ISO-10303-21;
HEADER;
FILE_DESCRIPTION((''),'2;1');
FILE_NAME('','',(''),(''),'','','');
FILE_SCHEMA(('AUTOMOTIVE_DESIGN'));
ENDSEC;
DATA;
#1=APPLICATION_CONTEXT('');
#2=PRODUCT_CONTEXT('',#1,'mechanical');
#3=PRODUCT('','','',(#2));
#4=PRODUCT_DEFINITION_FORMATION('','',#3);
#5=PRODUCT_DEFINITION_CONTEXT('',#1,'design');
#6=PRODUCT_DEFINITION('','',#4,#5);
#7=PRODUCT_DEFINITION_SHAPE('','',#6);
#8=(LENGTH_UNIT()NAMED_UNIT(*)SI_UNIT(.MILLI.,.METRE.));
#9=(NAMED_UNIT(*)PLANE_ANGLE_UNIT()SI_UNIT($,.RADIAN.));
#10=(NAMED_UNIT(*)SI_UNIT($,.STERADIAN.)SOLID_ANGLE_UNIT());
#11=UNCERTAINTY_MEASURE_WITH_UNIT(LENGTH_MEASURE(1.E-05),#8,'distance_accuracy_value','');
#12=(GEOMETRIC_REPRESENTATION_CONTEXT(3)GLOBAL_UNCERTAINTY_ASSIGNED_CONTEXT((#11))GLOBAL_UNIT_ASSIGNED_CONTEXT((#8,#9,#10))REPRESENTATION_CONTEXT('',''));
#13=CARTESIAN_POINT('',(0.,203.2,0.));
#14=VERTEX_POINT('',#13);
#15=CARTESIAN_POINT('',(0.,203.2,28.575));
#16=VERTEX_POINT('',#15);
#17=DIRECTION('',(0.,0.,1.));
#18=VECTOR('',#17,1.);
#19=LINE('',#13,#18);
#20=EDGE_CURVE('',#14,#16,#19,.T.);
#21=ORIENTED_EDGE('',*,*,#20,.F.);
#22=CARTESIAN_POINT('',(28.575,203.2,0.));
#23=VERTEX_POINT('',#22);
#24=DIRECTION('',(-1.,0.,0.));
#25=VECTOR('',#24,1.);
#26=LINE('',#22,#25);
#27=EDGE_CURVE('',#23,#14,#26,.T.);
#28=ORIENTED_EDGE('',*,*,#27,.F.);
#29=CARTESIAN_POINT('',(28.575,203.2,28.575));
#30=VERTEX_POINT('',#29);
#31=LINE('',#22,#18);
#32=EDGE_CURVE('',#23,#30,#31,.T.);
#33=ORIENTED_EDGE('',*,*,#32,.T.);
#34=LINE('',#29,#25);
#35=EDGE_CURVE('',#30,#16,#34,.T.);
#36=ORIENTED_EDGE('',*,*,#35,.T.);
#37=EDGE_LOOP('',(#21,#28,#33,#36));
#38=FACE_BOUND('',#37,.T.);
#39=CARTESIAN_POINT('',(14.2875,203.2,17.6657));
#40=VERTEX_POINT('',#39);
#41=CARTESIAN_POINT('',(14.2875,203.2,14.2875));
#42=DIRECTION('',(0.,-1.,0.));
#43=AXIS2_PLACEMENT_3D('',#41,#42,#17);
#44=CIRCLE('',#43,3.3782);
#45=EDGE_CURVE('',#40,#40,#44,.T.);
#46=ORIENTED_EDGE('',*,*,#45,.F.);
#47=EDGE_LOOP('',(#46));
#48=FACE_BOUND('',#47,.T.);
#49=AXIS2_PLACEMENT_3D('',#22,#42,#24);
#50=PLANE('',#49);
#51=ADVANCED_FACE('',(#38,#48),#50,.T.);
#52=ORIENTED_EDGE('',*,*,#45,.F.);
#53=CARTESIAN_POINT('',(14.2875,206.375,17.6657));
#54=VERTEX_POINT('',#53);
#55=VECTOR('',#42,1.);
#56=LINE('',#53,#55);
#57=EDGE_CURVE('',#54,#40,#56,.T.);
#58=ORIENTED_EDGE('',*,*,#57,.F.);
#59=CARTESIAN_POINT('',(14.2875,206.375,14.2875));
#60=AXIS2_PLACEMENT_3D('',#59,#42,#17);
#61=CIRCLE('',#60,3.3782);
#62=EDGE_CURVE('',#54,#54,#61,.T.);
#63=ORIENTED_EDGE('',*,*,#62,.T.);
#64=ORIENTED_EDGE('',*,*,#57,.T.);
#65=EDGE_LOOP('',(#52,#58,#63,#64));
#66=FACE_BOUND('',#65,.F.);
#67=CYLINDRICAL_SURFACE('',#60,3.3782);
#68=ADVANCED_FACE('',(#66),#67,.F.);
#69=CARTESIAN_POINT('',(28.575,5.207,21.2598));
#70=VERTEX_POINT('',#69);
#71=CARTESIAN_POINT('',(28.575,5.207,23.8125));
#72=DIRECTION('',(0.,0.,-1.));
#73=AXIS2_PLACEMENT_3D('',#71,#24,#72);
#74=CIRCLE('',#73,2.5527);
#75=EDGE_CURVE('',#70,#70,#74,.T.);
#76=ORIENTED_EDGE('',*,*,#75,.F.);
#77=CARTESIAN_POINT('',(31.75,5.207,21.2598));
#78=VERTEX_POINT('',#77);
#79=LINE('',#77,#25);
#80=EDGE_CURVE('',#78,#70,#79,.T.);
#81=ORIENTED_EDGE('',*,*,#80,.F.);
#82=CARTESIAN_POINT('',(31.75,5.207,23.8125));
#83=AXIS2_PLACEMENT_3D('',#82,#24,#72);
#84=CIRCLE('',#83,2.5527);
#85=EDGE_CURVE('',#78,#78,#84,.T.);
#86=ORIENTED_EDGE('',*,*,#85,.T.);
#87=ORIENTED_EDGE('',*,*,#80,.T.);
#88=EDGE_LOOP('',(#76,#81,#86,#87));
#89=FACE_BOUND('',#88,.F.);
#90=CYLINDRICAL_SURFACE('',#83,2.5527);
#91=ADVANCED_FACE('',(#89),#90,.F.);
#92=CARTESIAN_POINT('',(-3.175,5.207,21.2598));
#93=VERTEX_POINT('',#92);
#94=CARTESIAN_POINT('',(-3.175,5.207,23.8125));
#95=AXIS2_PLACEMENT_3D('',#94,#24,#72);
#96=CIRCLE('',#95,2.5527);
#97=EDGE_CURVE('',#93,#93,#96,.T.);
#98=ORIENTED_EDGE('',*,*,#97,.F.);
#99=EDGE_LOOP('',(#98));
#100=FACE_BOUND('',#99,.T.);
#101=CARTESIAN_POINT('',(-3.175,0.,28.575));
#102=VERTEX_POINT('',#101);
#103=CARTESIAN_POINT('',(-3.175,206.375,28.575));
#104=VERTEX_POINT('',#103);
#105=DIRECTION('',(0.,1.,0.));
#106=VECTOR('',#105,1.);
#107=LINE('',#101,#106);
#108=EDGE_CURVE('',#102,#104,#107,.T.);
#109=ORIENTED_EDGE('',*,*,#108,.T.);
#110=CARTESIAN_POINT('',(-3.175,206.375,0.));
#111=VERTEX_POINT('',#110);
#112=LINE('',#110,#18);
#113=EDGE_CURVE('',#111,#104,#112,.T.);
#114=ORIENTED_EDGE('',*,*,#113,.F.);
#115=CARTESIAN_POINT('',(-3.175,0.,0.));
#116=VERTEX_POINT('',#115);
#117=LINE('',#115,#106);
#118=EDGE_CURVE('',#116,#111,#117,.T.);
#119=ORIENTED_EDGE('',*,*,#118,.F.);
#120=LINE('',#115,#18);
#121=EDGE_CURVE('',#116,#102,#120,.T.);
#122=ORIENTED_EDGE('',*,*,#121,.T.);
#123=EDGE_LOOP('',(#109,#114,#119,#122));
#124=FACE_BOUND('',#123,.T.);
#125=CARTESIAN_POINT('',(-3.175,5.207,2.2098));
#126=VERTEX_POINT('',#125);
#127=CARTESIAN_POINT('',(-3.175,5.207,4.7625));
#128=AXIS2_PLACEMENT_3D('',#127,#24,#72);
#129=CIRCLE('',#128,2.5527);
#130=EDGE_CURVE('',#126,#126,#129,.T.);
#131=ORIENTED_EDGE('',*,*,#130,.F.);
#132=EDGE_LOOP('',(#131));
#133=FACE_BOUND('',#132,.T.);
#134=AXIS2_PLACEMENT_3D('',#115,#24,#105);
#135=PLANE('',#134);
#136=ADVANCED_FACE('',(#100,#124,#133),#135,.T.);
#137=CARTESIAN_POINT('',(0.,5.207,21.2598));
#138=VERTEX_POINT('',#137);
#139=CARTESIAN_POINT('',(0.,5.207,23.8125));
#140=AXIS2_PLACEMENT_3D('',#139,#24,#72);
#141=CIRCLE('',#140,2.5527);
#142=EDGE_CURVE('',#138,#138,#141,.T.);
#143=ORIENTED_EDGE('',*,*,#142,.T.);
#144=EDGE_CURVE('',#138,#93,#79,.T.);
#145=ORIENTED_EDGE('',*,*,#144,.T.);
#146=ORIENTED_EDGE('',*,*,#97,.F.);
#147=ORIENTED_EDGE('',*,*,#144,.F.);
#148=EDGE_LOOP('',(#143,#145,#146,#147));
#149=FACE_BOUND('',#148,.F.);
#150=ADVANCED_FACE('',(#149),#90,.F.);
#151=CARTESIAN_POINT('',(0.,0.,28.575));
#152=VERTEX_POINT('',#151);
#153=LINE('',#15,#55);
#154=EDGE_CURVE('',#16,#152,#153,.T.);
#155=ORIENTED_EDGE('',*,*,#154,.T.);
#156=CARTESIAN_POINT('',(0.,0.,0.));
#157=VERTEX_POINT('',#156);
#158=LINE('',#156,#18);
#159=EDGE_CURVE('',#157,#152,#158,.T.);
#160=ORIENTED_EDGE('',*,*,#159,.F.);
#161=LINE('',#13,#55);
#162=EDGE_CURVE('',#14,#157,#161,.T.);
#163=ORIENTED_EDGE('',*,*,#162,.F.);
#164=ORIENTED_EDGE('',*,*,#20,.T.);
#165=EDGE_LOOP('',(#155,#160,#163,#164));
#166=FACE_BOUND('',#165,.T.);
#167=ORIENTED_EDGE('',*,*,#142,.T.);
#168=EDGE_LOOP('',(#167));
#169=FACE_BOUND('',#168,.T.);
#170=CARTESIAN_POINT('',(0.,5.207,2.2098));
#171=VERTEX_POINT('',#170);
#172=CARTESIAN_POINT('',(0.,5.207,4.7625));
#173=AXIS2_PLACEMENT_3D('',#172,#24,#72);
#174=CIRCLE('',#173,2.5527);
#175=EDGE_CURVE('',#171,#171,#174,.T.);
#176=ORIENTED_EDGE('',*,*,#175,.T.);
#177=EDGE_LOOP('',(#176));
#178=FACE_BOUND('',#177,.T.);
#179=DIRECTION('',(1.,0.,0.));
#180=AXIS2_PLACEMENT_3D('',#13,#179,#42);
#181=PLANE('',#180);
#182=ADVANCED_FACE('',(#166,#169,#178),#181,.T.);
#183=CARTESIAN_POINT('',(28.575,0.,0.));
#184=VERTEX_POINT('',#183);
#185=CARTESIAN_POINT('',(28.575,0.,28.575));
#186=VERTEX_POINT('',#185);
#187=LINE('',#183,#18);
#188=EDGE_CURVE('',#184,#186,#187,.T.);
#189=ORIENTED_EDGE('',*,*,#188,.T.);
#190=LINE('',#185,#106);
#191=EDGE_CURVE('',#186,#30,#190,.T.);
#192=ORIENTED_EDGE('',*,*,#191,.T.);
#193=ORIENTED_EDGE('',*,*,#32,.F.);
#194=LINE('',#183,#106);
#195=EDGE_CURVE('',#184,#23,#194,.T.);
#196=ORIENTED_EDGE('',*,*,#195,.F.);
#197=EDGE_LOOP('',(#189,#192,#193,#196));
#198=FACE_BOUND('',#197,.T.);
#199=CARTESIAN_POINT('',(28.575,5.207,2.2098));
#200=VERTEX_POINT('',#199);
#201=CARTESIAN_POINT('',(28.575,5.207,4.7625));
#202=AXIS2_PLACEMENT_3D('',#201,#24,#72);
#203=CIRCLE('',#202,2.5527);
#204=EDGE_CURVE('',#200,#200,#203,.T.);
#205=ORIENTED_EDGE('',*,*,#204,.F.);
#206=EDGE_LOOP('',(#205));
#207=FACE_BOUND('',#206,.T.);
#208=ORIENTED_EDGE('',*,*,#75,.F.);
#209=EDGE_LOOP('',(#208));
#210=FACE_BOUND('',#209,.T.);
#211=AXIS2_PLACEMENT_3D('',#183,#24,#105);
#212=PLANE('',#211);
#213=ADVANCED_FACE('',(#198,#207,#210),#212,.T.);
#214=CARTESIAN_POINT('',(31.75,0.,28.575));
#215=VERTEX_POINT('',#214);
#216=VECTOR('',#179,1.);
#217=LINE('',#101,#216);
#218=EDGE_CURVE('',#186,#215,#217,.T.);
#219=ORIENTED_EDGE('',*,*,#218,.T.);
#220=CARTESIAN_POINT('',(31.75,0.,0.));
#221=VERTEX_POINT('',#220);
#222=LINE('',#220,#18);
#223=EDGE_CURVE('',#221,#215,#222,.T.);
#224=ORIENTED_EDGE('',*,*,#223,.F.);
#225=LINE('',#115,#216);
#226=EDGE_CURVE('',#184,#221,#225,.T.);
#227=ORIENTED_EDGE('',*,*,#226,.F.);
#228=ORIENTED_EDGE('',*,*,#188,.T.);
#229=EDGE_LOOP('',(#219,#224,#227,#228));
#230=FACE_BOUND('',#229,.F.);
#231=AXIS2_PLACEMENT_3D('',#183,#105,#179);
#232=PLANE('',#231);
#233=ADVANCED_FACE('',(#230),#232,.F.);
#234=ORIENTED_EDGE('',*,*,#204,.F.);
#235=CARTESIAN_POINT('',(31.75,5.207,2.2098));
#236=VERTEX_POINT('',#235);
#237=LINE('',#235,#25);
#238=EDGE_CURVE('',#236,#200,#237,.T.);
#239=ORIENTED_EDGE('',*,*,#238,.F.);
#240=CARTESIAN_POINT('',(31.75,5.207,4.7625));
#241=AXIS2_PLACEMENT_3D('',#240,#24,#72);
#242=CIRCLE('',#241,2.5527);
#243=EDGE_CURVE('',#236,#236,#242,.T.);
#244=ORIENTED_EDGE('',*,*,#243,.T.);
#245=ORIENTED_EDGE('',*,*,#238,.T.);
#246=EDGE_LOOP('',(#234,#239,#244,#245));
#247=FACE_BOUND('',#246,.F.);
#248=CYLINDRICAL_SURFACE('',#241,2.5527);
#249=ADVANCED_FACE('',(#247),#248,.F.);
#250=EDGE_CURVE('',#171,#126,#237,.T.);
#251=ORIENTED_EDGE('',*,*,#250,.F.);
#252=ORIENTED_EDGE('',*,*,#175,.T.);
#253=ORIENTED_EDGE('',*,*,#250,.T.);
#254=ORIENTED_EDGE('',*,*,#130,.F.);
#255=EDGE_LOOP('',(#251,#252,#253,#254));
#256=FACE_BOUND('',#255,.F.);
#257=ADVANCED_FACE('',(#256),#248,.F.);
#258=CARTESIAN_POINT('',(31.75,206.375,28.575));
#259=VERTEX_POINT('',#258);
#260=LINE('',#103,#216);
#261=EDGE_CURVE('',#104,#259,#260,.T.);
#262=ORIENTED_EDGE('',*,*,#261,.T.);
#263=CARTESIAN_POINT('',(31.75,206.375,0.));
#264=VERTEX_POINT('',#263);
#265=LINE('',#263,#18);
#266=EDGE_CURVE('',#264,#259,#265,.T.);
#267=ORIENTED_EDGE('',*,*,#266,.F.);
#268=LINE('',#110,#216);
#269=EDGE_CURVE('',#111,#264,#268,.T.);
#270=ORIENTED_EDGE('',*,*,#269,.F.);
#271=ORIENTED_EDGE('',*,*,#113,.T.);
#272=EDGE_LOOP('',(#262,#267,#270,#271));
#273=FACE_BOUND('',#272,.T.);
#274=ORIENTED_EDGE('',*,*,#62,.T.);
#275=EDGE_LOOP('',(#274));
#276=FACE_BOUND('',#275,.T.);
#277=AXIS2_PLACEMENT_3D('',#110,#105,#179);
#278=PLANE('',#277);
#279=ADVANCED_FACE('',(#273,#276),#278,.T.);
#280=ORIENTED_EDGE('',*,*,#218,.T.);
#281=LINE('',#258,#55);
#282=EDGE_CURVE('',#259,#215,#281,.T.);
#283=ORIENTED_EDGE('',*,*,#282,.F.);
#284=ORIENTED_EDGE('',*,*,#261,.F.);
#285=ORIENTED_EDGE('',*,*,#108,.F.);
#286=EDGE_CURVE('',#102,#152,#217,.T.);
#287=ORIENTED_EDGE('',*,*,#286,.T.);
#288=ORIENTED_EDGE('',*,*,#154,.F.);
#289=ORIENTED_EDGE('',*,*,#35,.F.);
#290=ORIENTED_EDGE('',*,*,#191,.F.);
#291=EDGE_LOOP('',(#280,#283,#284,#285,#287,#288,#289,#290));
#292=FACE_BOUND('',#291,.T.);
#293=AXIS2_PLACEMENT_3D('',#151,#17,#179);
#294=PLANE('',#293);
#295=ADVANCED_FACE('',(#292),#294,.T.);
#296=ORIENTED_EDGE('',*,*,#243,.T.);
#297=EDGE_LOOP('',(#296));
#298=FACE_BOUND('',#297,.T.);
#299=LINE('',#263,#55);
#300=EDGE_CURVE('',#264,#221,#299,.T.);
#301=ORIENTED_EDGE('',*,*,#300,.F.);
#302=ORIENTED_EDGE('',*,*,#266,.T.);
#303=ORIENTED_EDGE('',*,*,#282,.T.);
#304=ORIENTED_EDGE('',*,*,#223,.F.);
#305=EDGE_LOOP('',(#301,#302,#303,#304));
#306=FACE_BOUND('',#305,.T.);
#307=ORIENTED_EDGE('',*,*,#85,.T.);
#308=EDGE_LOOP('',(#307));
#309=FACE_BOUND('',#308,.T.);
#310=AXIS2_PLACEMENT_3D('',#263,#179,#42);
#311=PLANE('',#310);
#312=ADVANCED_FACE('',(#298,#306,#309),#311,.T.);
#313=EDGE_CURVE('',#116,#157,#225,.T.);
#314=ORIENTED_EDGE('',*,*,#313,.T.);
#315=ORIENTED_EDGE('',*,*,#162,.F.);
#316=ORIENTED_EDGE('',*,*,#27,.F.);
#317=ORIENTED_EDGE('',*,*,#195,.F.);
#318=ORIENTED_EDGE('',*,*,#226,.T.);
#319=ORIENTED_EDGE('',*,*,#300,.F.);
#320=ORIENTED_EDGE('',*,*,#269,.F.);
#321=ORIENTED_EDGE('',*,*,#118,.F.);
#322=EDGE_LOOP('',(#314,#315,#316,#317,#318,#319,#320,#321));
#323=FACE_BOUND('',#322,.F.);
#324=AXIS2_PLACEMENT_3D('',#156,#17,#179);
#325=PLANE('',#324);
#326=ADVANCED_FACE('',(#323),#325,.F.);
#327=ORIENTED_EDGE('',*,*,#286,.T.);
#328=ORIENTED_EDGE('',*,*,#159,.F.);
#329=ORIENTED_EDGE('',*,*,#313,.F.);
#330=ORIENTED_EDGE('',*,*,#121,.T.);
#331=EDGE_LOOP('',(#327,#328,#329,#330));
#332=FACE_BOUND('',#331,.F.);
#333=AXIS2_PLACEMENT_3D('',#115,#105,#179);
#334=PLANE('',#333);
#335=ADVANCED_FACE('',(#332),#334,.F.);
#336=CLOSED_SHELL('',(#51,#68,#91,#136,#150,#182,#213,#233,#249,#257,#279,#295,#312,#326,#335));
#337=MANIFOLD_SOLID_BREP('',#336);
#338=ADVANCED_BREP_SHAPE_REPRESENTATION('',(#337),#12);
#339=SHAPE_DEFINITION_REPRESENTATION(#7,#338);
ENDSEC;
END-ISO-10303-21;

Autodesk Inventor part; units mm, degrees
ref_plane "YZ Plane" through (0, 0, 0) normal (1, 0, 0) x (0, 1, 0)
ref_plane "XZ Plane" through (0, 0, 0) normal (0, 1, 0) x (-1, 0, 0)
ref_plane "XY Plane" through (0, 0, 0) normal (0, 0, 1) x (1, 0, 0)
sketch "Sketch1" plane through (0, 0, 0) normal (0, 0, 1) x (1, 0, 0)
  line L0 (0, 0) -> (28.575, 0)
  line L1 (28.575, 0) -> (28.575, 203.2)
  line L2 (28.575, 203.2) -> (0, 203.2)
  line L3 (0, 203.2) -> (0, 0)
  line L4 (31.75, 206.375) -> (31.75, 0)
  line L5 (-3.175, 0) -> (-3.175, 206.375)
  line L6 (-3.175, 206.375) -> (31.75, 206.375)
  line L7 (-3.175, 0) -> (31.75, 0)
  dimension "d0" = 28.575
  dimension "d1" = 203.2
  dimension "d2" = 3.175
  dimension "d24" = 3.175
  dimension "d25" = 3.175
extrude "Extrusion1" add sketch "Sketch1" along normal blind 28.575 contours L7 L5 L6 L4 L1 L2 L3
sketch "Sketch2" plane through (31.75, 0, 0) normal (1, 0, 0) x (0, 0, -1)
  line L0 (0, 0) -> (-28.575, 0) projected
  line L1 (0, 206.375) -> (0, 0) projected
  point P0 (-23.8125, 5.207)
  point P1 (-4.7625, 5.207)
  dimension "d5" = 5.207
  dimension "d6" = 19.05
  dimension "d7" = 28.575
  dimension "d8" = 4.7625
hole "Hole1" at (31.75, 5.207, 23.8125) at (31.75, 5.207, 4.7625) direction (-1, 0, 0) diameter 5.1054 end through all clearance for "Flat Head Machine Screw (82)" size "#10" standard "Ansi Unified Screw Threads"
sketch "Sketch3" plane through (-3.175, 206.375, 0) normal (0, 1, 0) x (1, 0, 0)
  line L0 (3.175, 0) -> (3.175, -28.575) projected
  line L1 (31.75, 0) -> (31.75, -28.575) projected
  point P0 (17.4625, -14.2875)
  point P1 (3.175, -14.2875)
  dimension "d16" = 14.2875
hole "Hole2" at (14.2875, 206.375, 14.2875) direction (0, -1, 0) diameter 6.7564 end through all clearance for "Flat Head Machine Screw (82)" size "1/4" standard "Ansi Unified Screw Threads"
equation "\"d8\" = -0.5 * d6 + 0.5 * d7"
